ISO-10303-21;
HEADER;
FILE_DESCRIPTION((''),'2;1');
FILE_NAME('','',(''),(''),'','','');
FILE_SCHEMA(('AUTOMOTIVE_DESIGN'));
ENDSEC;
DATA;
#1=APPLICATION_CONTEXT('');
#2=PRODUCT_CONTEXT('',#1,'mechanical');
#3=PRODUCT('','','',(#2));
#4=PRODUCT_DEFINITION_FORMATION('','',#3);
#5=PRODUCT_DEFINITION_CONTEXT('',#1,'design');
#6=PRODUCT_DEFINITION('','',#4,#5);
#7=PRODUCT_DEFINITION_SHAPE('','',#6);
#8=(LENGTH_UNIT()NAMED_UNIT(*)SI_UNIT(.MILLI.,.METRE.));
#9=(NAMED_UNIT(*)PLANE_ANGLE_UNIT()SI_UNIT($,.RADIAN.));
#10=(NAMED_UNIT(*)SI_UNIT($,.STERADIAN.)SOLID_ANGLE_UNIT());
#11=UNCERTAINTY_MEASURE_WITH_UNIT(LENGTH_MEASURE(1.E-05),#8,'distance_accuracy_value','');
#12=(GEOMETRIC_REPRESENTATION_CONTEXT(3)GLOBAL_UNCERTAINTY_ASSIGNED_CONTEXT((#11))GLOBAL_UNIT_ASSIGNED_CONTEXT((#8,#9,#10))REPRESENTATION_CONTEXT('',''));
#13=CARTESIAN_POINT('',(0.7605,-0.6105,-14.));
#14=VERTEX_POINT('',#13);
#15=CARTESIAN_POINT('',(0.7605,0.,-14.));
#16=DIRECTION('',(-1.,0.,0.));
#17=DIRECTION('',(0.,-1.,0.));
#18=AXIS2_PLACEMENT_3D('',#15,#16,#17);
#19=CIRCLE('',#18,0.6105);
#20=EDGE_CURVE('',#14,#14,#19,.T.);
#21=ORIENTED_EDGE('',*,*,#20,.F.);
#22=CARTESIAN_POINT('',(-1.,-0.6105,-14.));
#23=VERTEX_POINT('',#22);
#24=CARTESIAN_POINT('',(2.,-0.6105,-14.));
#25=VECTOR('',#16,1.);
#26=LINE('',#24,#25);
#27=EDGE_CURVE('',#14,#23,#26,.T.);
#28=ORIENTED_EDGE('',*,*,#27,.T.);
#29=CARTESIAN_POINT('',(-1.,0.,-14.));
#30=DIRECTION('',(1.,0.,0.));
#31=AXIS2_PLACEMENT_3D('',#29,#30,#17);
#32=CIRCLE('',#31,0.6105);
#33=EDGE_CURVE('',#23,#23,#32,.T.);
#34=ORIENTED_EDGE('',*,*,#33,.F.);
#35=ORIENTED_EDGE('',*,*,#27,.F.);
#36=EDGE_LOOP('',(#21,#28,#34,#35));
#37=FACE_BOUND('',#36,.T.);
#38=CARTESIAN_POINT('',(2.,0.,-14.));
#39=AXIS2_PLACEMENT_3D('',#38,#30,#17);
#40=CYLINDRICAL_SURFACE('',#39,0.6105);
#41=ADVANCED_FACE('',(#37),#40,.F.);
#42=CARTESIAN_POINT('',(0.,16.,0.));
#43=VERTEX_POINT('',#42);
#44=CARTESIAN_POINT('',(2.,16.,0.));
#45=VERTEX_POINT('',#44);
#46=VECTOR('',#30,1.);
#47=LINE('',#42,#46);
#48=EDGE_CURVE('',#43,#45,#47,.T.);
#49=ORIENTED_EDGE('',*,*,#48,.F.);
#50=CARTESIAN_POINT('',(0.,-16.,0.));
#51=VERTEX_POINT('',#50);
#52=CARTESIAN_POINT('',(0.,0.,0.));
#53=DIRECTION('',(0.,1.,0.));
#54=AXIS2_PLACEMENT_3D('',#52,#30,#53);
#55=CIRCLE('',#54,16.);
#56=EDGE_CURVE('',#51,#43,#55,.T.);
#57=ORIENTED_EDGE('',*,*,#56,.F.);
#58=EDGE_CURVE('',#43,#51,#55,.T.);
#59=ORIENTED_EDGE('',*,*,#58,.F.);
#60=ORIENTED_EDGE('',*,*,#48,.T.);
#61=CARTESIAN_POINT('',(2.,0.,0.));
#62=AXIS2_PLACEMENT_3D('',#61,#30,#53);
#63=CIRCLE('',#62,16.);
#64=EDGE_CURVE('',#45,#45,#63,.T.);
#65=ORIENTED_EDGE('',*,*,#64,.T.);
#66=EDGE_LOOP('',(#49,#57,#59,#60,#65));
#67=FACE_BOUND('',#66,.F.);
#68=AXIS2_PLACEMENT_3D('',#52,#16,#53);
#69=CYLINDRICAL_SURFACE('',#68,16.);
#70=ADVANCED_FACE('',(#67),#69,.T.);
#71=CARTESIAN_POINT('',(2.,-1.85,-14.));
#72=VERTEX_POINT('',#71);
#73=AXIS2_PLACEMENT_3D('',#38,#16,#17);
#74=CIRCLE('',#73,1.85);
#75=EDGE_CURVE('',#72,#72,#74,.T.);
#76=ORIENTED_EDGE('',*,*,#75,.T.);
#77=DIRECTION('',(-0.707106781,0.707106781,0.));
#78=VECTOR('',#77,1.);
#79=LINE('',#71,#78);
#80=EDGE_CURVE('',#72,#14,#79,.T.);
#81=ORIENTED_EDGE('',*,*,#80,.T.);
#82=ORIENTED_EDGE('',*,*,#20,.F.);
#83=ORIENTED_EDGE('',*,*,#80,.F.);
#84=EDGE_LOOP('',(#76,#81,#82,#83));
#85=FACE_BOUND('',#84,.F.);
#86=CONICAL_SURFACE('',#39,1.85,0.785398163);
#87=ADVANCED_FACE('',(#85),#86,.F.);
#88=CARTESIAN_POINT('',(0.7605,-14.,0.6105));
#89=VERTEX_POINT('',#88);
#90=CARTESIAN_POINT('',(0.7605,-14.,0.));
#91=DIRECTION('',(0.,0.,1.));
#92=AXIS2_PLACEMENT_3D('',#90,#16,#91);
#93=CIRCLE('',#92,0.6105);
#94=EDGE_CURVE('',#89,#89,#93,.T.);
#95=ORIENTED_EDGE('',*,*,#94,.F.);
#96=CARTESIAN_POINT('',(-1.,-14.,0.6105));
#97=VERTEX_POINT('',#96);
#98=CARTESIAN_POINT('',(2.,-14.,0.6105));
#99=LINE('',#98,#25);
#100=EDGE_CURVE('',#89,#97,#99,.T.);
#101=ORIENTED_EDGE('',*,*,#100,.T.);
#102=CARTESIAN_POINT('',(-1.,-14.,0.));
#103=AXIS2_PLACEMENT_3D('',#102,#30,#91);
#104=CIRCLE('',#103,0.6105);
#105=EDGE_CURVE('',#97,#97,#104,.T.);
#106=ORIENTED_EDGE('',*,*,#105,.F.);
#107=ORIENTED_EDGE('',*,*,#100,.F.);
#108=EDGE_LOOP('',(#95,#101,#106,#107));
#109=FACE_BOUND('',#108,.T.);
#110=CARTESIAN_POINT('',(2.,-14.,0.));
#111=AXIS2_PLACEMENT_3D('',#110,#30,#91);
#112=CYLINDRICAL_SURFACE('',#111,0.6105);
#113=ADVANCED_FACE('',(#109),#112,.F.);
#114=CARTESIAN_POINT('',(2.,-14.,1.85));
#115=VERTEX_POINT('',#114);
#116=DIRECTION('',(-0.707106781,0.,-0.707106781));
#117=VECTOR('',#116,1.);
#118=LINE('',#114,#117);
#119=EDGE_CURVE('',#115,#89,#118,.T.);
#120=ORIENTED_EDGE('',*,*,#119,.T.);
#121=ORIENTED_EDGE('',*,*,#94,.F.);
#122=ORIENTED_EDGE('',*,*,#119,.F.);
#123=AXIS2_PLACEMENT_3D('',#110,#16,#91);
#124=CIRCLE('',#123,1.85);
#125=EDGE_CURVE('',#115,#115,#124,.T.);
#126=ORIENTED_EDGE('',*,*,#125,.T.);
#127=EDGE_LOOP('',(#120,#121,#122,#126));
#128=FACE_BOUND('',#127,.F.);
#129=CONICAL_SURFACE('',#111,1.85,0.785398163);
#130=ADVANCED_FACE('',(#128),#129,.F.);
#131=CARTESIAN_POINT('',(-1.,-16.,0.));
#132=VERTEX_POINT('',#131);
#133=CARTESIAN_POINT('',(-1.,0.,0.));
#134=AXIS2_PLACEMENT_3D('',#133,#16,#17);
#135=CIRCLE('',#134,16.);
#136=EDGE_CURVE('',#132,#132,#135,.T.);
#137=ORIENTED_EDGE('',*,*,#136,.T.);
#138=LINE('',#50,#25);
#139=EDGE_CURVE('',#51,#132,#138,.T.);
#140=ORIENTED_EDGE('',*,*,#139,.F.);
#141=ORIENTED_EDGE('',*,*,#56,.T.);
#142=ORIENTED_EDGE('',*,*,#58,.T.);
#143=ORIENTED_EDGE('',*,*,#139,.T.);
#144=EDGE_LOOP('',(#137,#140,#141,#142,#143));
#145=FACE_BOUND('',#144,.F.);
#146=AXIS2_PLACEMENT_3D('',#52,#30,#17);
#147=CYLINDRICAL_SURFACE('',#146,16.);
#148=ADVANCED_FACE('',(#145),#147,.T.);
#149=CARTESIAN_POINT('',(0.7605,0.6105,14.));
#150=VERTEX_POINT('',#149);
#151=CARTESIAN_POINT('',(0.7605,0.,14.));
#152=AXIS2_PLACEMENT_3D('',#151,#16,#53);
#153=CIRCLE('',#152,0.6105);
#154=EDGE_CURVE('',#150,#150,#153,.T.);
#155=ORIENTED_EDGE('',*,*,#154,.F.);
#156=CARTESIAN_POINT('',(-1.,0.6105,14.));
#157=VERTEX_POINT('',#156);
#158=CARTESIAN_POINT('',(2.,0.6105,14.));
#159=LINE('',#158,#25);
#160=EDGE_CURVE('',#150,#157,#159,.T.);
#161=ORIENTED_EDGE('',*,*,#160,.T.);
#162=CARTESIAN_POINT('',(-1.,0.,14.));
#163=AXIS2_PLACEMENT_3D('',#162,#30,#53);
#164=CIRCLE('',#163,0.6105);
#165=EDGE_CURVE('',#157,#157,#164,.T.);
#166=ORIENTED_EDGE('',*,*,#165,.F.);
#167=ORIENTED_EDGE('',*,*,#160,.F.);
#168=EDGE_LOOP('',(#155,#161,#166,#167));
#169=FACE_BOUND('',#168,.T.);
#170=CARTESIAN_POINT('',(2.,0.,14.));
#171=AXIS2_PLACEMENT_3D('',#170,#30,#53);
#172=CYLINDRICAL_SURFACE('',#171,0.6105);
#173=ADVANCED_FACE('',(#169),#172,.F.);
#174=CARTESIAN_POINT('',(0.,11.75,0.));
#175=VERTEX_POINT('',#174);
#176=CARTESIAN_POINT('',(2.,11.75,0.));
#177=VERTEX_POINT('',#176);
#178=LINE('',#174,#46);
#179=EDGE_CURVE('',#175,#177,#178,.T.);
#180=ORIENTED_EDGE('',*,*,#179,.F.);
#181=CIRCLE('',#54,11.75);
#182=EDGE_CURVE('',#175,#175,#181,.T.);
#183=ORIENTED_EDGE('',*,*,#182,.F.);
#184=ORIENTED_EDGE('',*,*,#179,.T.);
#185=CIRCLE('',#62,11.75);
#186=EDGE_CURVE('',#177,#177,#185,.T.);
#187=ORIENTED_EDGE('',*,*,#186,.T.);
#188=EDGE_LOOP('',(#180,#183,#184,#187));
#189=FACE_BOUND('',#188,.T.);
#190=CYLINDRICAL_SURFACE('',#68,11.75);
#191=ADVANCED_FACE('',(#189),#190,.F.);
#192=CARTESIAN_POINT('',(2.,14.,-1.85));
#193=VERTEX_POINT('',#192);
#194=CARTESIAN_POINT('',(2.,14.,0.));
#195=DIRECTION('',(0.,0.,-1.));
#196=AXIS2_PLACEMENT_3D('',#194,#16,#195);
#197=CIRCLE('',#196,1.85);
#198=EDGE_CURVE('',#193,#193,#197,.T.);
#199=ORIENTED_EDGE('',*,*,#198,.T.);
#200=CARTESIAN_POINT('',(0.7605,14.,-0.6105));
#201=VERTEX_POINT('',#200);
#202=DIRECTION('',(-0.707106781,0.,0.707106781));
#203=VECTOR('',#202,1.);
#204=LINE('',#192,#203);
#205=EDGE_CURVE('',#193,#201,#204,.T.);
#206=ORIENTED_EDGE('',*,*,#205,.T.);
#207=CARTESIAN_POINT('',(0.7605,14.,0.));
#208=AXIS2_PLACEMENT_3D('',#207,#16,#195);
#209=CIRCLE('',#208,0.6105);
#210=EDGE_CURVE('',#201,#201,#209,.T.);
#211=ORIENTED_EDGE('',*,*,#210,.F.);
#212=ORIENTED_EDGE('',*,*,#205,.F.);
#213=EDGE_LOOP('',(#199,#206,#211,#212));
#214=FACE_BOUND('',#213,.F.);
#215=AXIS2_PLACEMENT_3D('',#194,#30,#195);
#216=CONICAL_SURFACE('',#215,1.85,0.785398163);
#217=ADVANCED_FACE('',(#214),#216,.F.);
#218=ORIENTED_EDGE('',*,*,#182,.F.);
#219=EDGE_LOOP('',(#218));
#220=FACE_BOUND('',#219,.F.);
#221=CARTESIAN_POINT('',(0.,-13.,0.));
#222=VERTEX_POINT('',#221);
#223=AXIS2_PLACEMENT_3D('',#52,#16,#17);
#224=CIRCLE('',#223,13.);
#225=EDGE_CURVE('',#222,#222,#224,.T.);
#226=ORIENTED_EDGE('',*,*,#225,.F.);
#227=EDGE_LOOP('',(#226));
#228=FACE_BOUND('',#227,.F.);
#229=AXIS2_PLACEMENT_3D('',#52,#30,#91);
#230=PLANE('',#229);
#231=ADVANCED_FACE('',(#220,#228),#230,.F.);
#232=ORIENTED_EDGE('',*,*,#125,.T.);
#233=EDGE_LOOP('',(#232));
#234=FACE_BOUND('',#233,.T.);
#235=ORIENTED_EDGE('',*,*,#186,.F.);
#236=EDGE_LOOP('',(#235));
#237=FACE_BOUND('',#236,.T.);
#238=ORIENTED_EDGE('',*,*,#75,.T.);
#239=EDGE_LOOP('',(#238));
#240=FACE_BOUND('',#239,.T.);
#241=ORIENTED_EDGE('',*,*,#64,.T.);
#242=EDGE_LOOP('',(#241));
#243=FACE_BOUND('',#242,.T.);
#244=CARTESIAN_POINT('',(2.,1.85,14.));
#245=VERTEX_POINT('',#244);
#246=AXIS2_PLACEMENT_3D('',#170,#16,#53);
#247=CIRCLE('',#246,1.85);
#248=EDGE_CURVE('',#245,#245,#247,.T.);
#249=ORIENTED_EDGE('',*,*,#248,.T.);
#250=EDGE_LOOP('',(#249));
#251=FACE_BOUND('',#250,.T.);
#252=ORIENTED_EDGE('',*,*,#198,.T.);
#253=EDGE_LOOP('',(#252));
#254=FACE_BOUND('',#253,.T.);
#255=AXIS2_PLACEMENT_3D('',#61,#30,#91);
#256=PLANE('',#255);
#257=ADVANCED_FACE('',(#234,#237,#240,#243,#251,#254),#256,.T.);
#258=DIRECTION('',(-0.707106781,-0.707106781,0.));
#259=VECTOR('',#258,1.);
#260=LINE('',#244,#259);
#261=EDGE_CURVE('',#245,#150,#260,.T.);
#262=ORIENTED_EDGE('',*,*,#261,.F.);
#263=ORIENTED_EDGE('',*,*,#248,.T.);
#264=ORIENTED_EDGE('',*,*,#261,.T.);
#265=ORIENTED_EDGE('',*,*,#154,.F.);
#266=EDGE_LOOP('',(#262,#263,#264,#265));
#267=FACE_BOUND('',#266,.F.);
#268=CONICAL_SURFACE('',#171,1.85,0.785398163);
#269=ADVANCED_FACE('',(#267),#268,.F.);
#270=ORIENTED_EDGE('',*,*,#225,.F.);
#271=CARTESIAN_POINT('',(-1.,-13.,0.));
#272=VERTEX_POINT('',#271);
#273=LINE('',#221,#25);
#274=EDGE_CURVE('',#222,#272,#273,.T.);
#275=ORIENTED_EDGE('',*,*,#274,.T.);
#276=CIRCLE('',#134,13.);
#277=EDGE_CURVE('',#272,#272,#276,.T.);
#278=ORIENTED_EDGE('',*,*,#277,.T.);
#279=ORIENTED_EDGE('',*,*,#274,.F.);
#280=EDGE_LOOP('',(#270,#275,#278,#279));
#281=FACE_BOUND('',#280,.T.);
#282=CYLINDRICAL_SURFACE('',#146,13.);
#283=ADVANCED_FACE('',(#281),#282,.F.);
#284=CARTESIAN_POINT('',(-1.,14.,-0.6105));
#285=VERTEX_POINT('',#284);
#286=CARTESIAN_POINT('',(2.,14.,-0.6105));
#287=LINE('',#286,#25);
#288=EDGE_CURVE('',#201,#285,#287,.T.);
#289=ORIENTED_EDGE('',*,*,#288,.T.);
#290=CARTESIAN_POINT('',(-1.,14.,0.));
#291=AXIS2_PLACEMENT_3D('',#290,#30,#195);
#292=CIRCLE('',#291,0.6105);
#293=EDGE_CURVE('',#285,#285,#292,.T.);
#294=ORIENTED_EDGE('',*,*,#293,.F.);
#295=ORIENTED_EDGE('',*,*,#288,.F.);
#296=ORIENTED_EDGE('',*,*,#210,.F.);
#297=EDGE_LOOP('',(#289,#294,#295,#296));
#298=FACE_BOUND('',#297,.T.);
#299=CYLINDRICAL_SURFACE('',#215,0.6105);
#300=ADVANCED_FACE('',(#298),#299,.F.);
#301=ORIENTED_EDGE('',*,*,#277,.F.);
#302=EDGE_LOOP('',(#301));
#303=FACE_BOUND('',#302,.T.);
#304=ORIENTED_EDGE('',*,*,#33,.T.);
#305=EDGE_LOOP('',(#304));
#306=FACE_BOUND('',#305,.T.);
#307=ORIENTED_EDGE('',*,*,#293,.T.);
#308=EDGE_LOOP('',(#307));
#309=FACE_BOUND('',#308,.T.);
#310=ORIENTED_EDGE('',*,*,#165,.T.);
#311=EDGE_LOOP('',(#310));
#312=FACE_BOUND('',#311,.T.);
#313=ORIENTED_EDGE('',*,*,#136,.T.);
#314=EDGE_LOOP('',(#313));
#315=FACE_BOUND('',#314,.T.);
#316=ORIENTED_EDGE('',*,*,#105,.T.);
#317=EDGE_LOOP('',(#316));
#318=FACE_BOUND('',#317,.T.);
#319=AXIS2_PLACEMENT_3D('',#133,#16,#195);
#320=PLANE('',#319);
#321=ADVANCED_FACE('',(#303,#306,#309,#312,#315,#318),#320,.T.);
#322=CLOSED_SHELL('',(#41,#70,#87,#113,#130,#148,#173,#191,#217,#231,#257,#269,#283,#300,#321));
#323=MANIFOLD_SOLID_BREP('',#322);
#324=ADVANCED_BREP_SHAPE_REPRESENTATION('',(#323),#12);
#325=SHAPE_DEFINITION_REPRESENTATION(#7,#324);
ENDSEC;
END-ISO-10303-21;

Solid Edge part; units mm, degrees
sketch "Sketch1" plane through (0, 0, 0) normal (1, 0, 0) x (0, 1, 0)
  circle A0 centre (0, 0) radius 16
  circle A1 centre (0, 0) radius 11.75
extrude "Protrusion1" add sketch "Sketch1" along normal blind 2
sketch "Sketch2" plane through (0, 0, 0) normal (-1, 0, 0) x (0, -1, 0)
  circle A0 centre (0, 0) radius 16
  circle A1 centre (0, 0) radius 13
extrude "Extrusionsausprägung_2" add sketch "Sketch2" along normal blind 1
hole "Bohrung_1" at (2, 14, 0) direction (-1, 0, 0) diameter 1.221 end up to next countersink diameter 3.7 countersink angle 90 thread major 1.6 thread length 2
pattern_circular "Pattern2" count 4 over 360 about axis through (2, 0, 0) along (1, 0, 0) of "Bohrung_1"
